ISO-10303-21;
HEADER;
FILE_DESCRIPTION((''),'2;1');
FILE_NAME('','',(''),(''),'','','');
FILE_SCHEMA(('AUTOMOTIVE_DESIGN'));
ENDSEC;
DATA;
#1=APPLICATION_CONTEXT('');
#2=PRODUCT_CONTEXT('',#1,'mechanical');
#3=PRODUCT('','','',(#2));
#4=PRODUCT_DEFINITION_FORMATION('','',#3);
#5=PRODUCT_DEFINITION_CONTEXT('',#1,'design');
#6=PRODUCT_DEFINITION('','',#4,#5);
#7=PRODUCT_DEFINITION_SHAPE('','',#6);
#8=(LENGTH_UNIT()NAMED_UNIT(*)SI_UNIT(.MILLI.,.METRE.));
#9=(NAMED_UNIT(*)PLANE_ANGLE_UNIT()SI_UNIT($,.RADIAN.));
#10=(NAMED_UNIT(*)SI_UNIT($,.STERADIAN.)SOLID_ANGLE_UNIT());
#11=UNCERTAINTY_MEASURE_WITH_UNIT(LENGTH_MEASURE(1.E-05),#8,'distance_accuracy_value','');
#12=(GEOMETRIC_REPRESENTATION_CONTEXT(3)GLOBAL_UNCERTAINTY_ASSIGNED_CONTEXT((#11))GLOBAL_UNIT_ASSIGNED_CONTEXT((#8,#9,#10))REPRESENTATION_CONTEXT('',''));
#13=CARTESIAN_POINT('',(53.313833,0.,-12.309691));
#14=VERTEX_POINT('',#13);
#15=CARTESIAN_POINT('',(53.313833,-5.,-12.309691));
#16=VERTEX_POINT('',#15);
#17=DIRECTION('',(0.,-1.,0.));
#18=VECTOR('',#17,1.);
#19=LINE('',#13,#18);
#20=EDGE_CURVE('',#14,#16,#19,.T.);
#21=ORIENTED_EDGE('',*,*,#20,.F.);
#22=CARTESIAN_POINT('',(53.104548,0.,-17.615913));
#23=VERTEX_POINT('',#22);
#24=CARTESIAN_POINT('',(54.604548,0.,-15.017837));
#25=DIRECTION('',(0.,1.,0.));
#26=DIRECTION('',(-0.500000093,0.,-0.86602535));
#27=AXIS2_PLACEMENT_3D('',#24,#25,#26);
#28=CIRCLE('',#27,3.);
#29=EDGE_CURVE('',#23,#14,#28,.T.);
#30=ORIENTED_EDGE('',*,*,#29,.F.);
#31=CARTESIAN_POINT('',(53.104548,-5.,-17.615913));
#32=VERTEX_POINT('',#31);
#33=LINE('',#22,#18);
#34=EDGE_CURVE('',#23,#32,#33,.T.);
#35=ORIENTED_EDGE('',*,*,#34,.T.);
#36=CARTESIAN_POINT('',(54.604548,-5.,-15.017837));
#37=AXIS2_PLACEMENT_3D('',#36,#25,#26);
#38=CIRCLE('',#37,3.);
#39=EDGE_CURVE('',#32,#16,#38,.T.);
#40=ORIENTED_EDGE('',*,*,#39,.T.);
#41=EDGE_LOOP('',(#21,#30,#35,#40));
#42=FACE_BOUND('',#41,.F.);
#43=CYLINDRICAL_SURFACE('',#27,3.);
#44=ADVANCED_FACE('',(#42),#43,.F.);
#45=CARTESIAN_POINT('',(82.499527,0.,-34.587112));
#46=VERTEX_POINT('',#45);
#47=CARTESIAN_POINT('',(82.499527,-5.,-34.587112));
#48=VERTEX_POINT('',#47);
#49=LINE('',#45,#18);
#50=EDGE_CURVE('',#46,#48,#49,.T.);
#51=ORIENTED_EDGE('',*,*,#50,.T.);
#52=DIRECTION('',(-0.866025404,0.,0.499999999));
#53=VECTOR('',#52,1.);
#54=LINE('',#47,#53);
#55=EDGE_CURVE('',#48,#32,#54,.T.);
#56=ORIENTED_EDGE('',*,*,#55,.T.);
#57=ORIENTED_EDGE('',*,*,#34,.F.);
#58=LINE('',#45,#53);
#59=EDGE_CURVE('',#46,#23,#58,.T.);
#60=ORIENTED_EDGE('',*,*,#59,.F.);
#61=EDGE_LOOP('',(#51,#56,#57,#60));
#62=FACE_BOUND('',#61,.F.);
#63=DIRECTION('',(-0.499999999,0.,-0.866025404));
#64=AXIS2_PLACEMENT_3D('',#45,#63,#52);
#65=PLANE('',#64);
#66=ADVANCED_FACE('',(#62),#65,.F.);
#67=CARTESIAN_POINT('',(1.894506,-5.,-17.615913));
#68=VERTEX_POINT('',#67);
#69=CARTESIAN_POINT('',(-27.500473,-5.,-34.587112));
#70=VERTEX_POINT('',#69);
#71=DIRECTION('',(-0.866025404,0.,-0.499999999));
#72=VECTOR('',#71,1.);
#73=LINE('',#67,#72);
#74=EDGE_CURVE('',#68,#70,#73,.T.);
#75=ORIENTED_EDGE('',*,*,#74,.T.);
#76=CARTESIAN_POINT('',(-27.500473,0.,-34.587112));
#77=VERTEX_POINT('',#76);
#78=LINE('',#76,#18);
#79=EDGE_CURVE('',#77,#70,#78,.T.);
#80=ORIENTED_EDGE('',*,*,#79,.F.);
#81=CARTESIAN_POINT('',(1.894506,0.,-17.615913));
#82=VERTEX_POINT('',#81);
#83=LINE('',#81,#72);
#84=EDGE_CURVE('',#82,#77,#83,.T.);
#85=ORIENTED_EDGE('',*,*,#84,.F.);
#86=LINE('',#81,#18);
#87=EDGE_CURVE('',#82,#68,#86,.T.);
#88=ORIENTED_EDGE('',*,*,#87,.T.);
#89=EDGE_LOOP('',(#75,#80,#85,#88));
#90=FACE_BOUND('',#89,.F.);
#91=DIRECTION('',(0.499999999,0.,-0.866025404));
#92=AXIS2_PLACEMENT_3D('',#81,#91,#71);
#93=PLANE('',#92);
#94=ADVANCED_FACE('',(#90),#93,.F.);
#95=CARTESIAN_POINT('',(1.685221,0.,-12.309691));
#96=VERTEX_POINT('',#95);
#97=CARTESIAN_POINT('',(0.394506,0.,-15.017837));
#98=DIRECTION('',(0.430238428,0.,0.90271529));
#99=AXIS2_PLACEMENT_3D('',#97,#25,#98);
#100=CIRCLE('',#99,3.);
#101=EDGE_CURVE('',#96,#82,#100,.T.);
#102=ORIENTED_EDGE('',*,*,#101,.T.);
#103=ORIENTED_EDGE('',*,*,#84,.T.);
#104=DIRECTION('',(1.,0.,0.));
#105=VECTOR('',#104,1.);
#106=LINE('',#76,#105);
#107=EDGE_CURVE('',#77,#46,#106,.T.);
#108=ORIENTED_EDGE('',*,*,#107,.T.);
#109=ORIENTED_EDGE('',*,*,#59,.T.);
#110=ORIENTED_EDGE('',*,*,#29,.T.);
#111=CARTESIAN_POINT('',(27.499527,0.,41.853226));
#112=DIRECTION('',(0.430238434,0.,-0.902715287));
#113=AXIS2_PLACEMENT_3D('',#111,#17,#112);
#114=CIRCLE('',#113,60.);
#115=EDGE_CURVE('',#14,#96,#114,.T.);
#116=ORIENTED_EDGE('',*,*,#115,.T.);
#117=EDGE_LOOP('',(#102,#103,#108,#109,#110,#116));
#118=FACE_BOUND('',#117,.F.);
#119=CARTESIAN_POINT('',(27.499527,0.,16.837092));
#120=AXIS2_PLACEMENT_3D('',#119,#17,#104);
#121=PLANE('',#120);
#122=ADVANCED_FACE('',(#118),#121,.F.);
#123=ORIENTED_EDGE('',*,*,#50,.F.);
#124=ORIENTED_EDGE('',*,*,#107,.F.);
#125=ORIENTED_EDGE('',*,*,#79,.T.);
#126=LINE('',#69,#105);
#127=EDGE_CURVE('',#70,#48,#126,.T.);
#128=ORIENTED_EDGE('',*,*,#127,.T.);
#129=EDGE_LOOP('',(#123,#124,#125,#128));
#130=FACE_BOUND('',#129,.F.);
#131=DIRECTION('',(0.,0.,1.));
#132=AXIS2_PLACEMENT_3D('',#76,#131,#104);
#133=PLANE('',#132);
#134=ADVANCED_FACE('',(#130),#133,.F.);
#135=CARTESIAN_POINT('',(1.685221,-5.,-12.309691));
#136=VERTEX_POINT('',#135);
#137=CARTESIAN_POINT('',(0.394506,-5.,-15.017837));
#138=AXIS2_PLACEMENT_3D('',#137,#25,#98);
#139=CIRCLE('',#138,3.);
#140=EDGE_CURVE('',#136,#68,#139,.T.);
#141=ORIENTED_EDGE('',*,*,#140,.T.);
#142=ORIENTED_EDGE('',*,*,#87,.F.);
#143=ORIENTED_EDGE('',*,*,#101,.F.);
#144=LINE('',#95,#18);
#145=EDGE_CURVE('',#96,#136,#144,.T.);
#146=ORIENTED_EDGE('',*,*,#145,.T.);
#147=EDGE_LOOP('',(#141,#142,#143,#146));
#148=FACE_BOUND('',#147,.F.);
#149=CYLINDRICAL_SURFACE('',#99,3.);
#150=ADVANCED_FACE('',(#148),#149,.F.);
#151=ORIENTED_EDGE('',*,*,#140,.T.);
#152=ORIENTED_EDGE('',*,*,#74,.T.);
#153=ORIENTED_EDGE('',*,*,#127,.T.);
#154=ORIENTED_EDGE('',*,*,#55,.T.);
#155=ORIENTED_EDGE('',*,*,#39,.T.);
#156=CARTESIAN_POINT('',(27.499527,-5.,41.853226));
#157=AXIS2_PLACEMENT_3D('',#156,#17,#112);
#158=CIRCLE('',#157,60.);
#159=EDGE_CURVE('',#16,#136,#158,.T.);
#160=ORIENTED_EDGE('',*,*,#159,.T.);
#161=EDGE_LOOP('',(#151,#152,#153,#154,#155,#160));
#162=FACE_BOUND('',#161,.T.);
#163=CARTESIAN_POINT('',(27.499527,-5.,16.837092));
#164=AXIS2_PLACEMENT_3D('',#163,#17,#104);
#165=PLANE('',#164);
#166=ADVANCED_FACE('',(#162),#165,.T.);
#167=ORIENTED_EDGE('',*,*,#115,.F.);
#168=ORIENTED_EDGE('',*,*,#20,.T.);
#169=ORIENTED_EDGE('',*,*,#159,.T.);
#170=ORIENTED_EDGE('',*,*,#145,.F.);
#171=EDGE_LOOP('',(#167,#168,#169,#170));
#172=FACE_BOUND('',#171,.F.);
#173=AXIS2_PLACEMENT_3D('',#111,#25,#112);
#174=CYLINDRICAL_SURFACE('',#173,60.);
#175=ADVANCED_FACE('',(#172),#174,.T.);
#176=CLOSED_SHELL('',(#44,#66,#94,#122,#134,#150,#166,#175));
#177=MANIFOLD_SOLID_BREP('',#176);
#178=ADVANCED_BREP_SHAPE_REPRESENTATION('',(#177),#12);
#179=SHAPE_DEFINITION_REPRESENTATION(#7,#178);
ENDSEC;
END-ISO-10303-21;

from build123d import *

# Parameters (mm, degrees)
F1_DEPTH = 5


with BuildPart() as f1:
    # F0 (on Front) → F1 (new body)
    with BuildSketch(Plane.XZ):
        with BuildLine():
            Line((1.894506, -17.615913), (-27.500473, -34.587112))
            Line((-27.500473, -34.587112), (82.499527, -34.587112))
            Line((82.499527, -34.587112), (53.104548, -17.615913))
            ThreePointArc((53.104548, -17.615913), (51.606879, -14.899604), (53.313833, -12.309691))
            ThreePointArc((53.313833, -12.309691), (27.499527, 101.853226), (1.685221, -12.309691))
            ThreePointArc((1.685221, -12.309691), (3.392175, -14.899604), (1.894506, -17.615913))
        make_face()
    extrude(amount=F1_DEPTH)


solid = f1.part
